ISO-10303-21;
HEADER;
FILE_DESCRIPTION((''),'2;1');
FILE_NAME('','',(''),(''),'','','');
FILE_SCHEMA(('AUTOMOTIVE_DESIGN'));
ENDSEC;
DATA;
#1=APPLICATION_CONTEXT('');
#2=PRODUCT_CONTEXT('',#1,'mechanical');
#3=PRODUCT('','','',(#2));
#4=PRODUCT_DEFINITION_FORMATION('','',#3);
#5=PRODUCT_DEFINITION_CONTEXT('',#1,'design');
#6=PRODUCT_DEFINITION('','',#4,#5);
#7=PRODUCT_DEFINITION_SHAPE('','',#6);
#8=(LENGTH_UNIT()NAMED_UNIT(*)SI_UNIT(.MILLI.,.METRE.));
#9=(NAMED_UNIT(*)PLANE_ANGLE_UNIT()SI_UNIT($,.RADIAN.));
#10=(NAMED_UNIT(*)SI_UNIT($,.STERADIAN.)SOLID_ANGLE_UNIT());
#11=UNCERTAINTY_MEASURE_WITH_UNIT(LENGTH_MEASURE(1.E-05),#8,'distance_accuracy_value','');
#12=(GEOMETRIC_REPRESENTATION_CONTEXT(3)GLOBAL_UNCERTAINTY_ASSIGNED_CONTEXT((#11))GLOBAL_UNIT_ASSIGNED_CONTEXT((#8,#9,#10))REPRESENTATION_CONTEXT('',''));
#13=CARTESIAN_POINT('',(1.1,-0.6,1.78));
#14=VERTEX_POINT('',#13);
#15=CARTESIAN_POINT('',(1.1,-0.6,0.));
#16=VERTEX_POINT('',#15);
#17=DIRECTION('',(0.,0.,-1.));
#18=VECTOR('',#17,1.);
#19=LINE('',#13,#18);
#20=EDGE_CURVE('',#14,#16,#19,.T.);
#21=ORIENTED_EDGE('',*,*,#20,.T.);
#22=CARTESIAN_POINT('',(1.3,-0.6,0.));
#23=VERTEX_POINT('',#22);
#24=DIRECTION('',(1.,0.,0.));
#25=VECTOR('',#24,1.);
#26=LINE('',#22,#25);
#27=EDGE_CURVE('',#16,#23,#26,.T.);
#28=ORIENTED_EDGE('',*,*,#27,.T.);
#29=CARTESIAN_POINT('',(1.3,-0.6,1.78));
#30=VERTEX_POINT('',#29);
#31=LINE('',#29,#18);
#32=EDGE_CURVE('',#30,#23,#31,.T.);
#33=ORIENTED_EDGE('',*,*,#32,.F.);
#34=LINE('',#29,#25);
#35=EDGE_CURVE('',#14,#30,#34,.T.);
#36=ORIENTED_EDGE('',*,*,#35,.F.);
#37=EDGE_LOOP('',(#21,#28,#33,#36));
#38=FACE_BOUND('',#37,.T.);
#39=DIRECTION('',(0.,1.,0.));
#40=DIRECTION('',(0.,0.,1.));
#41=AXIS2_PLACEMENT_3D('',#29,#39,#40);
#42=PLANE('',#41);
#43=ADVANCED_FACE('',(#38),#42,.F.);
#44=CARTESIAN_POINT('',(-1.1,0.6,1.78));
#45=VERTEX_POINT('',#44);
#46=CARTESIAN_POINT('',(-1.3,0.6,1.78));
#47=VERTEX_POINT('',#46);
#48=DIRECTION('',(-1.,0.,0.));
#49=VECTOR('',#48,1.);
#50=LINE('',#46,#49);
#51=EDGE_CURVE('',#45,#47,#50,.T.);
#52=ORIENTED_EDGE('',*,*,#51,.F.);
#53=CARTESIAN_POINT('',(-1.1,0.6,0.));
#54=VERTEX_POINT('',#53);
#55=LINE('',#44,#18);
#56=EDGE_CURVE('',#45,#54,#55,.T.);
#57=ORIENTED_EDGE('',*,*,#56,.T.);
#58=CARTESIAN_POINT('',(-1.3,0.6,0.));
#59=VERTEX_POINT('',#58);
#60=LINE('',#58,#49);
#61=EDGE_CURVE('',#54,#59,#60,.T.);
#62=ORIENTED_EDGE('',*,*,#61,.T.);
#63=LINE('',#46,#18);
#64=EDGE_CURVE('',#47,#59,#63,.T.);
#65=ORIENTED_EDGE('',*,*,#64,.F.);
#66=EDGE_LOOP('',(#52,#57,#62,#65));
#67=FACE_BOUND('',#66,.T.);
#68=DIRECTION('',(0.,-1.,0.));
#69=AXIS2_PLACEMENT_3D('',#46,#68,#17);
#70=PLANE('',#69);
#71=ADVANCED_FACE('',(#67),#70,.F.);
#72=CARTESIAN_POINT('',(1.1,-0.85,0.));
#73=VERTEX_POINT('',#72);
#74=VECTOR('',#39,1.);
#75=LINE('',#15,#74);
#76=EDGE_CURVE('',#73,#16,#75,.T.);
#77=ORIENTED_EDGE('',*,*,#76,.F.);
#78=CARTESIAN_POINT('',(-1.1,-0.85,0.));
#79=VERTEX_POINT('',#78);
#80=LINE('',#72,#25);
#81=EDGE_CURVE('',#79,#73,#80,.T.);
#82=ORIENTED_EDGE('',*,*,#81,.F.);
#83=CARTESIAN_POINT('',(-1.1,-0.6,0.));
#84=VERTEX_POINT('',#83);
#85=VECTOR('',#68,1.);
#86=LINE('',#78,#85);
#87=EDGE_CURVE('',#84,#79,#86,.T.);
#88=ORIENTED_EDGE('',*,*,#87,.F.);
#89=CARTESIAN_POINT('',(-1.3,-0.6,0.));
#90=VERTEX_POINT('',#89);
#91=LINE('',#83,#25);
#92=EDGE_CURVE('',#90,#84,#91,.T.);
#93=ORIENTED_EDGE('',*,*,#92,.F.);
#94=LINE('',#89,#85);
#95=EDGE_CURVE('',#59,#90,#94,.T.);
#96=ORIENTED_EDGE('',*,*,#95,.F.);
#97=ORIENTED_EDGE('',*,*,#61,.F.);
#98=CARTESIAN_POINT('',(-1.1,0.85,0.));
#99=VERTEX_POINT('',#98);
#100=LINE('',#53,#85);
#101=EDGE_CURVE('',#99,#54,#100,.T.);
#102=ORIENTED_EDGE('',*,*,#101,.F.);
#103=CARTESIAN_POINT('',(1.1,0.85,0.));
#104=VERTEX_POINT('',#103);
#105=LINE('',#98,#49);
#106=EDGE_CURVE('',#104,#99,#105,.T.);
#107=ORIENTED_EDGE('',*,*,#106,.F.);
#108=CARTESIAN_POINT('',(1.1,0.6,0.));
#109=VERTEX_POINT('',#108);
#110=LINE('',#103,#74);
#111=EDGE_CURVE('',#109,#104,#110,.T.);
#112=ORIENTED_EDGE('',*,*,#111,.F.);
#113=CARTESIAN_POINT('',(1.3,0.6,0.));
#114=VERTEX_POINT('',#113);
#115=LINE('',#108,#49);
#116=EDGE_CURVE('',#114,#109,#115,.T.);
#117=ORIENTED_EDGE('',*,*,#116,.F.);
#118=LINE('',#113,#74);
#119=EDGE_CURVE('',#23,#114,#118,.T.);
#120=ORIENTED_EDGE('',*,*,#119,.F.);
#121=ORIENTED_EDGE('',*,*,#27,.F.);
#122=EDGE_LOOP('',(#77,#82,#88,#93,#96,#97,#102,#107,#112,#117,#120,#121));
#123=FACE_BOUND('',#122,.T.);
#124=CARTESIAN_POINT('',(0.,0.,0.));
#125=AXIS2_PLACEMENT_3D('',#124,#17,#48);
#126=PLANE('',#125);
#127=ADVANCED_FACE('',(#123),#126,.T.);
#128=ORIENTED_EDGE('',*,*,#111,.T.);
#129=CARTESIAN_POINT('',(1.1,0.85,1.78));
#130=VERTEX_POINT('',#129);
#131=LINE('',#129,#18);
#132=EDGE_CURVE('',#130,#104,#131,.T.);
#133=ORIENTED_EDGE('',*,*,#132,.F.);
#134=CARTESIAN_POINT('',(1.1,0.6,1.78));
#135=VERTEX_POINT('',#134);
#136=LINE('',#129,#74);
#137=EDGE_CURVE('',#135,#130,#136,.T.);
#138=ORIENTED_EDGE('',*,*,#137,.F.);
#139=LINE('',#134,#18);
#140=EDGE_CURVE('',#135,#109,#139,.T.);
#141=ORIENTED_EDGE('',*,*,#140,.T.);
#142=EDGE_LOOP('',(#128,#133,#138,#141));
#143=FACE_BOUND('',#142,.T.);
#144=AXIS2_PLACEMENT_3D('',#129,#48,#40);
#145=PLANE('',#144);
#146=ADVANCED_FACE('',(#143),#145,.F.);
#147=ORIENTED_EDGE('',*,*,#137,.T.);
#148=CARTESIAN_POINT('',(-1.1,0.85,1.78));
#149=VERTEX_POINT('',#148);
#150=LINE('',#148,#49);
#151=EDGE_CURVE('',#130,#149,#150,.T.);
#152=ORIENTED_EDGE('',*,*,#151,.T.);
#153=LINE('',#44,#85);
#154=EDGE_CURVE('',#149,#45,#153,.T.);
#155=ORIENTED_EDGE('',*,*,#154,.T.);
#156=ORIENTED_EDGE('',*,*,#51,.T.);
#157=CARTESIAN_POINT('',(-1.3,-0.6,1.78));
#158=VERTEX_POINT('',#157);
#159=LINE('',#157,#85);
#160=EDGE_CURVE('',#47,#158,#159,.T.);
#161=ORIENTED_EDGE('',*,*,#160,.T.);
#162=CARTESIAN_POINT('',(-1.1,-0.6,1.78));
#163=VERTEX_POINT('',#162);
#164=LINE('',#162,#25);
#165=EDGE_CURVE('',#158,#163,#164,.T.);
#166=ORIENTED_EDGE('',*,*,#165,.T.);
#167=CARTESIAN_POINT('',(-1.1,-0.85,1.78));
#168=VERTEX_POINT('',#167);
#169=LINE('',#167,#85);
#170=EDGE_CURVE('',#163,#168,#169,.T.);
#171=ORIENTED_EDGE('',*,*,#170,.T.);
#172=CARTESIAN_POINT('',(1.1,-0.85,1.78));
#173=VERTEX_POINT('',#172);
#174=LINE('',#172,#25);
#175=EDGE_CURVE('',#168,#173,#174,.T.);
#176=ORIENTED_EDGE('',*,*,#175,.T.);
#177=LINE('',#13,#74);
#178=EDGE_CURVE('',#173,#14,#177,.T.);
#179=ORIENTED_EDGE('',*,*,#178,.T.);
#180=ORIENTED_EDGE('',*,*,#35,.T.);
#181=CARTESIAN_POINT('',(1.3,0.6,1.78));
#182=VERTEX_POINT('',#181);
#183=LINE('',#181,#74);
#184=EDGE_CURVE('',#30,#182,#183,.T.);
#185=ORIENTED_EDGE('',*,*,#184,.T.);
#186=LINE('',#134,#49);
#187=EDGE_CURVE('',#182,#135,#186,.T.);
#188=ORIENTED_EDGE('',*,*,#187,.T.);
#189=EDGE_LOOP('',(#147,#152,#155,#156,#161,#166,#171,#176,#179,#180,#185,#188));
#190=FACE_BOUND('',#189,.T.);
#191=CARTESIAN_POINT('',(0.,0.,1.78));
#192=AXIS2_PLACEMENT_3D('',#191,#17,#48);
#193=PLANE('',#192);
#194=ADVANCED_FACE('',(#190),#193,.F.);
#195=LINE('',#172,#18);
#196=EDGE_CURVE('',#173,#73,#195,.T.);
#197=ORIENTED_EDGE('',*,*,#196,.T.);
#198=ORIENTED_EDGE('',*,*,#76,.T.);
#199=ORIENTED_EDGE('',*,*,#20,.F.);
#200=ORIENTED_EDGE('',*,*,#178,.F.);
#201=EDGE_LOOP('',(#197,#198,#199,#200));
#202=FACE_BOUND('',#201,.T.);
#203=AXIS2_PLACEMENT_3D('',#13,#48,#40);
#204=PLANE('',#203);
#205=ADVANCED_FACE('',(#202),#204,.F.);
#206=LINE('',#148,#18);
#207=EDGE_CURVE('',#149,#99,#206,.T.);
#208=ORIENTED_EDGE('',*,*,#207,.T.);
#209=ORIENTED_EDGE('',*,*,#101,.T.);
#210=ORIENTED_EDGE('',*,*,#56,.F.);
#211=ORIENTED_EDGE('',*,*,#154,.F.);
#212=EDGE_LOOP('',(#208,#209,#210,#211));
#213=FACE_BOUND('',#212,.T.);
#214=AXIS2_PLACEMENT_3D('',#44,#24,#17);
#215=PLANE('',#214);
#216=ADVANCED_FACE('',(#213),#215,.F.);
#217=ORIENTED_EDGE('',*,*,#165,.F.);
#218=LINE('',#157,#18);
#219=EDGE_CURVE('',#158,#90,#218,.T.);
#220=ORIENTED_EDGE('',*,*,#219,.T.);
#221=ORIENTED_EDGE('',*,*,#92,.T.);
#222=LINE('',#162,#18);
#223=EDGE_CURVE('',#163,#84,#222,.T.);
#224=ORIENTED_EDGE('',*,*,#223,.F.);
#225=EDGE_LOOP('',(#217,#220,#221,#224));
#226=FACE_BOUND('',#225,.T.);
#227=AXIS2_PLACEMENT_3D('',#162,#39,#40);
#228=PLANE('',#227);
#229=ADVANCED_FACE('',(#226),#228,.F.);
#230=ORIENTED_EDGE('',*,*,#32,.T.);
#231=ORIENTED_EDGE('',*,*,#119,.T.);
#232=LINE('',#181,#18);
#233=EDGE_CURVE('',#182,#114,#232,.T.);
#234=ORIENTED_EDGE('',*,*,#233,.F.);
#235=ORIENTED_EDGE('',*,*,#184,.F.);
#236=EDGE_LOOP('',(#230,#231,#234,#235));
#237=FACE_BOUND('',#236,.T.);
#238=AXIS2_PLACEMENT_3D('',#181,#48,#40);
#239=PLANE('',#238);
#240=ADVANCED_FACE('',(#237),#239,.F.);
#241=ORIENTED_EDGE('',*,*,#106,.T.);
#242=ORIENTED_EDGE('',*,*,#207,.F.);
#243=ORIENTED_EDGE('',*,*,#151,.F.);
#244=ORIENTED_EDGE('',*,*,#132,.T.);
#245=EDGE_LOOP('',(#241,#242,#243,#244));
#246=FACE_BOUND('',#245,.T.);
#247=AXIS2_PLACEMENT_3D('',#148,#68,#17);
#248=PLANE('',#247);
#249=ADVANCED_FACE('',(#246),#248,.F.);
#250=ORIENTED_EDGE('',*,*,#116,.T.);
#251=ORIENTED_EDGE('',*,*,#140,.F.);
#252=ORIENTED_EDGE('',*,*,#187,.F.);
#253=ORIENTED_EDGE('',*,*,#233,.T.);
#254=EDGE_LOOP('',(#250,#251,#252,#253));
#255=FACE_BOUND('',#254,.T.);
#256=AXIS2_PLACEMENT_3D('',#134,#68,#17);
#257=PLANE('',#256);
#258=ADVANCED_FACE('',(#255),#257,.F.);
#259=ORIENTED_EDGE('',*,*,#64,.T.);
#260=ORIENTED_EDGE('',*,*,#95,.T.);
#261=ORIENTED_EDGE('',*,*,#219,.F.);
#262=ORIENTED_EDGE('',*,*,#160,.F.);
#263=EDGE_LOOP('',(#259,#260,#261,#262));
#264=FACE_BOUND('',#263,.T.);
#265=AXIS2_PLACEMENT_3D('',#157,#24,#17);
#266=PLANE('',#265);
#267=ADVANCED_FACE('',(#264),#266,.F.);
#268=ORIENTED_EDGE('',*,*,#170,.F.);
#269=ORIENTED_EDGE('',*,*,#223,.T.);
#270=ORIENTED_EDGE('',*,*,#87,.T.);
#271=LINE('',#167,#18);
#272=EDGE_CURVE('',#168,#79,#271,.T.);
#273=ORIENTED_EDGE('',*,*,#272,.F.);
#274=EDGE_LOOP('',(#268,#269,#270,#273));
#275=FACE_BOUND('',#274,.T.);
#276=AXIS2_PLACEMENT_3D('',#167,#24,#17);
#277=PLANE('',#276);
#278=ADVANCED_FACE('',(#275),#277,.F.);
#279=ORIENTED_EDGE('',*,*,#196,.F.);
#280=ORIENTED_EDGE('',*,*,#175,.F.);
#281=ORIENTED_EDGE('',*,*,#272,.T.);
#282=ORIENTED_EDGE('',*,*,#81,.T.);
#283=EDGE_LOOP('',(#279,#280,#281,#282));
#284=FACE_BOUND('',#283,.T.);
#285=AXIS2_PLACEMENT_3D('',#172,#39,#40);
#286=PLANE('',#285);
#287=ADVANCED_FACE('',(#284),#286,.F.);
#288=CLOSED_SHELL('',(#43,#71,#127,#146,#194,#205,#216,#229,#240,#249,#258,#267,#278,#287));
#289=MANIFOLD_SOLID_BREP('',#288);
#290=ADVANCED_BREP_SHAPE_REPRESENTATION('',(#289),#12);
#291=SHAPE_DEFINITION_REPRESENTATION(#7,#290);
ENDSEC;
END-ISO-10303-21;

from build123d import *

# Parameters (mm, degrees)
COMPONENT_OUTLINE_DEPTH = 1.78


with BuildPart() as part:
    # 草图1 → Component_Outline (new body)
    with BuildSketch(Plane.XY):
        Polygon((-1.1, -0.85), (-1.1, -0.6), (-1.3, -0.6), (-1.3, 0.6), (-1.1, 0.6), (-1.1, 0.85), (1.1, 0.85), (1.1, 0.6), (1.3, 0.6), (1.3, -0.6), (1.1, -0.6), (1.1, -0.85), align=None)
    extrude(amount=COMPONENT_OUTLINE_DEPTH)


solid = part.part
